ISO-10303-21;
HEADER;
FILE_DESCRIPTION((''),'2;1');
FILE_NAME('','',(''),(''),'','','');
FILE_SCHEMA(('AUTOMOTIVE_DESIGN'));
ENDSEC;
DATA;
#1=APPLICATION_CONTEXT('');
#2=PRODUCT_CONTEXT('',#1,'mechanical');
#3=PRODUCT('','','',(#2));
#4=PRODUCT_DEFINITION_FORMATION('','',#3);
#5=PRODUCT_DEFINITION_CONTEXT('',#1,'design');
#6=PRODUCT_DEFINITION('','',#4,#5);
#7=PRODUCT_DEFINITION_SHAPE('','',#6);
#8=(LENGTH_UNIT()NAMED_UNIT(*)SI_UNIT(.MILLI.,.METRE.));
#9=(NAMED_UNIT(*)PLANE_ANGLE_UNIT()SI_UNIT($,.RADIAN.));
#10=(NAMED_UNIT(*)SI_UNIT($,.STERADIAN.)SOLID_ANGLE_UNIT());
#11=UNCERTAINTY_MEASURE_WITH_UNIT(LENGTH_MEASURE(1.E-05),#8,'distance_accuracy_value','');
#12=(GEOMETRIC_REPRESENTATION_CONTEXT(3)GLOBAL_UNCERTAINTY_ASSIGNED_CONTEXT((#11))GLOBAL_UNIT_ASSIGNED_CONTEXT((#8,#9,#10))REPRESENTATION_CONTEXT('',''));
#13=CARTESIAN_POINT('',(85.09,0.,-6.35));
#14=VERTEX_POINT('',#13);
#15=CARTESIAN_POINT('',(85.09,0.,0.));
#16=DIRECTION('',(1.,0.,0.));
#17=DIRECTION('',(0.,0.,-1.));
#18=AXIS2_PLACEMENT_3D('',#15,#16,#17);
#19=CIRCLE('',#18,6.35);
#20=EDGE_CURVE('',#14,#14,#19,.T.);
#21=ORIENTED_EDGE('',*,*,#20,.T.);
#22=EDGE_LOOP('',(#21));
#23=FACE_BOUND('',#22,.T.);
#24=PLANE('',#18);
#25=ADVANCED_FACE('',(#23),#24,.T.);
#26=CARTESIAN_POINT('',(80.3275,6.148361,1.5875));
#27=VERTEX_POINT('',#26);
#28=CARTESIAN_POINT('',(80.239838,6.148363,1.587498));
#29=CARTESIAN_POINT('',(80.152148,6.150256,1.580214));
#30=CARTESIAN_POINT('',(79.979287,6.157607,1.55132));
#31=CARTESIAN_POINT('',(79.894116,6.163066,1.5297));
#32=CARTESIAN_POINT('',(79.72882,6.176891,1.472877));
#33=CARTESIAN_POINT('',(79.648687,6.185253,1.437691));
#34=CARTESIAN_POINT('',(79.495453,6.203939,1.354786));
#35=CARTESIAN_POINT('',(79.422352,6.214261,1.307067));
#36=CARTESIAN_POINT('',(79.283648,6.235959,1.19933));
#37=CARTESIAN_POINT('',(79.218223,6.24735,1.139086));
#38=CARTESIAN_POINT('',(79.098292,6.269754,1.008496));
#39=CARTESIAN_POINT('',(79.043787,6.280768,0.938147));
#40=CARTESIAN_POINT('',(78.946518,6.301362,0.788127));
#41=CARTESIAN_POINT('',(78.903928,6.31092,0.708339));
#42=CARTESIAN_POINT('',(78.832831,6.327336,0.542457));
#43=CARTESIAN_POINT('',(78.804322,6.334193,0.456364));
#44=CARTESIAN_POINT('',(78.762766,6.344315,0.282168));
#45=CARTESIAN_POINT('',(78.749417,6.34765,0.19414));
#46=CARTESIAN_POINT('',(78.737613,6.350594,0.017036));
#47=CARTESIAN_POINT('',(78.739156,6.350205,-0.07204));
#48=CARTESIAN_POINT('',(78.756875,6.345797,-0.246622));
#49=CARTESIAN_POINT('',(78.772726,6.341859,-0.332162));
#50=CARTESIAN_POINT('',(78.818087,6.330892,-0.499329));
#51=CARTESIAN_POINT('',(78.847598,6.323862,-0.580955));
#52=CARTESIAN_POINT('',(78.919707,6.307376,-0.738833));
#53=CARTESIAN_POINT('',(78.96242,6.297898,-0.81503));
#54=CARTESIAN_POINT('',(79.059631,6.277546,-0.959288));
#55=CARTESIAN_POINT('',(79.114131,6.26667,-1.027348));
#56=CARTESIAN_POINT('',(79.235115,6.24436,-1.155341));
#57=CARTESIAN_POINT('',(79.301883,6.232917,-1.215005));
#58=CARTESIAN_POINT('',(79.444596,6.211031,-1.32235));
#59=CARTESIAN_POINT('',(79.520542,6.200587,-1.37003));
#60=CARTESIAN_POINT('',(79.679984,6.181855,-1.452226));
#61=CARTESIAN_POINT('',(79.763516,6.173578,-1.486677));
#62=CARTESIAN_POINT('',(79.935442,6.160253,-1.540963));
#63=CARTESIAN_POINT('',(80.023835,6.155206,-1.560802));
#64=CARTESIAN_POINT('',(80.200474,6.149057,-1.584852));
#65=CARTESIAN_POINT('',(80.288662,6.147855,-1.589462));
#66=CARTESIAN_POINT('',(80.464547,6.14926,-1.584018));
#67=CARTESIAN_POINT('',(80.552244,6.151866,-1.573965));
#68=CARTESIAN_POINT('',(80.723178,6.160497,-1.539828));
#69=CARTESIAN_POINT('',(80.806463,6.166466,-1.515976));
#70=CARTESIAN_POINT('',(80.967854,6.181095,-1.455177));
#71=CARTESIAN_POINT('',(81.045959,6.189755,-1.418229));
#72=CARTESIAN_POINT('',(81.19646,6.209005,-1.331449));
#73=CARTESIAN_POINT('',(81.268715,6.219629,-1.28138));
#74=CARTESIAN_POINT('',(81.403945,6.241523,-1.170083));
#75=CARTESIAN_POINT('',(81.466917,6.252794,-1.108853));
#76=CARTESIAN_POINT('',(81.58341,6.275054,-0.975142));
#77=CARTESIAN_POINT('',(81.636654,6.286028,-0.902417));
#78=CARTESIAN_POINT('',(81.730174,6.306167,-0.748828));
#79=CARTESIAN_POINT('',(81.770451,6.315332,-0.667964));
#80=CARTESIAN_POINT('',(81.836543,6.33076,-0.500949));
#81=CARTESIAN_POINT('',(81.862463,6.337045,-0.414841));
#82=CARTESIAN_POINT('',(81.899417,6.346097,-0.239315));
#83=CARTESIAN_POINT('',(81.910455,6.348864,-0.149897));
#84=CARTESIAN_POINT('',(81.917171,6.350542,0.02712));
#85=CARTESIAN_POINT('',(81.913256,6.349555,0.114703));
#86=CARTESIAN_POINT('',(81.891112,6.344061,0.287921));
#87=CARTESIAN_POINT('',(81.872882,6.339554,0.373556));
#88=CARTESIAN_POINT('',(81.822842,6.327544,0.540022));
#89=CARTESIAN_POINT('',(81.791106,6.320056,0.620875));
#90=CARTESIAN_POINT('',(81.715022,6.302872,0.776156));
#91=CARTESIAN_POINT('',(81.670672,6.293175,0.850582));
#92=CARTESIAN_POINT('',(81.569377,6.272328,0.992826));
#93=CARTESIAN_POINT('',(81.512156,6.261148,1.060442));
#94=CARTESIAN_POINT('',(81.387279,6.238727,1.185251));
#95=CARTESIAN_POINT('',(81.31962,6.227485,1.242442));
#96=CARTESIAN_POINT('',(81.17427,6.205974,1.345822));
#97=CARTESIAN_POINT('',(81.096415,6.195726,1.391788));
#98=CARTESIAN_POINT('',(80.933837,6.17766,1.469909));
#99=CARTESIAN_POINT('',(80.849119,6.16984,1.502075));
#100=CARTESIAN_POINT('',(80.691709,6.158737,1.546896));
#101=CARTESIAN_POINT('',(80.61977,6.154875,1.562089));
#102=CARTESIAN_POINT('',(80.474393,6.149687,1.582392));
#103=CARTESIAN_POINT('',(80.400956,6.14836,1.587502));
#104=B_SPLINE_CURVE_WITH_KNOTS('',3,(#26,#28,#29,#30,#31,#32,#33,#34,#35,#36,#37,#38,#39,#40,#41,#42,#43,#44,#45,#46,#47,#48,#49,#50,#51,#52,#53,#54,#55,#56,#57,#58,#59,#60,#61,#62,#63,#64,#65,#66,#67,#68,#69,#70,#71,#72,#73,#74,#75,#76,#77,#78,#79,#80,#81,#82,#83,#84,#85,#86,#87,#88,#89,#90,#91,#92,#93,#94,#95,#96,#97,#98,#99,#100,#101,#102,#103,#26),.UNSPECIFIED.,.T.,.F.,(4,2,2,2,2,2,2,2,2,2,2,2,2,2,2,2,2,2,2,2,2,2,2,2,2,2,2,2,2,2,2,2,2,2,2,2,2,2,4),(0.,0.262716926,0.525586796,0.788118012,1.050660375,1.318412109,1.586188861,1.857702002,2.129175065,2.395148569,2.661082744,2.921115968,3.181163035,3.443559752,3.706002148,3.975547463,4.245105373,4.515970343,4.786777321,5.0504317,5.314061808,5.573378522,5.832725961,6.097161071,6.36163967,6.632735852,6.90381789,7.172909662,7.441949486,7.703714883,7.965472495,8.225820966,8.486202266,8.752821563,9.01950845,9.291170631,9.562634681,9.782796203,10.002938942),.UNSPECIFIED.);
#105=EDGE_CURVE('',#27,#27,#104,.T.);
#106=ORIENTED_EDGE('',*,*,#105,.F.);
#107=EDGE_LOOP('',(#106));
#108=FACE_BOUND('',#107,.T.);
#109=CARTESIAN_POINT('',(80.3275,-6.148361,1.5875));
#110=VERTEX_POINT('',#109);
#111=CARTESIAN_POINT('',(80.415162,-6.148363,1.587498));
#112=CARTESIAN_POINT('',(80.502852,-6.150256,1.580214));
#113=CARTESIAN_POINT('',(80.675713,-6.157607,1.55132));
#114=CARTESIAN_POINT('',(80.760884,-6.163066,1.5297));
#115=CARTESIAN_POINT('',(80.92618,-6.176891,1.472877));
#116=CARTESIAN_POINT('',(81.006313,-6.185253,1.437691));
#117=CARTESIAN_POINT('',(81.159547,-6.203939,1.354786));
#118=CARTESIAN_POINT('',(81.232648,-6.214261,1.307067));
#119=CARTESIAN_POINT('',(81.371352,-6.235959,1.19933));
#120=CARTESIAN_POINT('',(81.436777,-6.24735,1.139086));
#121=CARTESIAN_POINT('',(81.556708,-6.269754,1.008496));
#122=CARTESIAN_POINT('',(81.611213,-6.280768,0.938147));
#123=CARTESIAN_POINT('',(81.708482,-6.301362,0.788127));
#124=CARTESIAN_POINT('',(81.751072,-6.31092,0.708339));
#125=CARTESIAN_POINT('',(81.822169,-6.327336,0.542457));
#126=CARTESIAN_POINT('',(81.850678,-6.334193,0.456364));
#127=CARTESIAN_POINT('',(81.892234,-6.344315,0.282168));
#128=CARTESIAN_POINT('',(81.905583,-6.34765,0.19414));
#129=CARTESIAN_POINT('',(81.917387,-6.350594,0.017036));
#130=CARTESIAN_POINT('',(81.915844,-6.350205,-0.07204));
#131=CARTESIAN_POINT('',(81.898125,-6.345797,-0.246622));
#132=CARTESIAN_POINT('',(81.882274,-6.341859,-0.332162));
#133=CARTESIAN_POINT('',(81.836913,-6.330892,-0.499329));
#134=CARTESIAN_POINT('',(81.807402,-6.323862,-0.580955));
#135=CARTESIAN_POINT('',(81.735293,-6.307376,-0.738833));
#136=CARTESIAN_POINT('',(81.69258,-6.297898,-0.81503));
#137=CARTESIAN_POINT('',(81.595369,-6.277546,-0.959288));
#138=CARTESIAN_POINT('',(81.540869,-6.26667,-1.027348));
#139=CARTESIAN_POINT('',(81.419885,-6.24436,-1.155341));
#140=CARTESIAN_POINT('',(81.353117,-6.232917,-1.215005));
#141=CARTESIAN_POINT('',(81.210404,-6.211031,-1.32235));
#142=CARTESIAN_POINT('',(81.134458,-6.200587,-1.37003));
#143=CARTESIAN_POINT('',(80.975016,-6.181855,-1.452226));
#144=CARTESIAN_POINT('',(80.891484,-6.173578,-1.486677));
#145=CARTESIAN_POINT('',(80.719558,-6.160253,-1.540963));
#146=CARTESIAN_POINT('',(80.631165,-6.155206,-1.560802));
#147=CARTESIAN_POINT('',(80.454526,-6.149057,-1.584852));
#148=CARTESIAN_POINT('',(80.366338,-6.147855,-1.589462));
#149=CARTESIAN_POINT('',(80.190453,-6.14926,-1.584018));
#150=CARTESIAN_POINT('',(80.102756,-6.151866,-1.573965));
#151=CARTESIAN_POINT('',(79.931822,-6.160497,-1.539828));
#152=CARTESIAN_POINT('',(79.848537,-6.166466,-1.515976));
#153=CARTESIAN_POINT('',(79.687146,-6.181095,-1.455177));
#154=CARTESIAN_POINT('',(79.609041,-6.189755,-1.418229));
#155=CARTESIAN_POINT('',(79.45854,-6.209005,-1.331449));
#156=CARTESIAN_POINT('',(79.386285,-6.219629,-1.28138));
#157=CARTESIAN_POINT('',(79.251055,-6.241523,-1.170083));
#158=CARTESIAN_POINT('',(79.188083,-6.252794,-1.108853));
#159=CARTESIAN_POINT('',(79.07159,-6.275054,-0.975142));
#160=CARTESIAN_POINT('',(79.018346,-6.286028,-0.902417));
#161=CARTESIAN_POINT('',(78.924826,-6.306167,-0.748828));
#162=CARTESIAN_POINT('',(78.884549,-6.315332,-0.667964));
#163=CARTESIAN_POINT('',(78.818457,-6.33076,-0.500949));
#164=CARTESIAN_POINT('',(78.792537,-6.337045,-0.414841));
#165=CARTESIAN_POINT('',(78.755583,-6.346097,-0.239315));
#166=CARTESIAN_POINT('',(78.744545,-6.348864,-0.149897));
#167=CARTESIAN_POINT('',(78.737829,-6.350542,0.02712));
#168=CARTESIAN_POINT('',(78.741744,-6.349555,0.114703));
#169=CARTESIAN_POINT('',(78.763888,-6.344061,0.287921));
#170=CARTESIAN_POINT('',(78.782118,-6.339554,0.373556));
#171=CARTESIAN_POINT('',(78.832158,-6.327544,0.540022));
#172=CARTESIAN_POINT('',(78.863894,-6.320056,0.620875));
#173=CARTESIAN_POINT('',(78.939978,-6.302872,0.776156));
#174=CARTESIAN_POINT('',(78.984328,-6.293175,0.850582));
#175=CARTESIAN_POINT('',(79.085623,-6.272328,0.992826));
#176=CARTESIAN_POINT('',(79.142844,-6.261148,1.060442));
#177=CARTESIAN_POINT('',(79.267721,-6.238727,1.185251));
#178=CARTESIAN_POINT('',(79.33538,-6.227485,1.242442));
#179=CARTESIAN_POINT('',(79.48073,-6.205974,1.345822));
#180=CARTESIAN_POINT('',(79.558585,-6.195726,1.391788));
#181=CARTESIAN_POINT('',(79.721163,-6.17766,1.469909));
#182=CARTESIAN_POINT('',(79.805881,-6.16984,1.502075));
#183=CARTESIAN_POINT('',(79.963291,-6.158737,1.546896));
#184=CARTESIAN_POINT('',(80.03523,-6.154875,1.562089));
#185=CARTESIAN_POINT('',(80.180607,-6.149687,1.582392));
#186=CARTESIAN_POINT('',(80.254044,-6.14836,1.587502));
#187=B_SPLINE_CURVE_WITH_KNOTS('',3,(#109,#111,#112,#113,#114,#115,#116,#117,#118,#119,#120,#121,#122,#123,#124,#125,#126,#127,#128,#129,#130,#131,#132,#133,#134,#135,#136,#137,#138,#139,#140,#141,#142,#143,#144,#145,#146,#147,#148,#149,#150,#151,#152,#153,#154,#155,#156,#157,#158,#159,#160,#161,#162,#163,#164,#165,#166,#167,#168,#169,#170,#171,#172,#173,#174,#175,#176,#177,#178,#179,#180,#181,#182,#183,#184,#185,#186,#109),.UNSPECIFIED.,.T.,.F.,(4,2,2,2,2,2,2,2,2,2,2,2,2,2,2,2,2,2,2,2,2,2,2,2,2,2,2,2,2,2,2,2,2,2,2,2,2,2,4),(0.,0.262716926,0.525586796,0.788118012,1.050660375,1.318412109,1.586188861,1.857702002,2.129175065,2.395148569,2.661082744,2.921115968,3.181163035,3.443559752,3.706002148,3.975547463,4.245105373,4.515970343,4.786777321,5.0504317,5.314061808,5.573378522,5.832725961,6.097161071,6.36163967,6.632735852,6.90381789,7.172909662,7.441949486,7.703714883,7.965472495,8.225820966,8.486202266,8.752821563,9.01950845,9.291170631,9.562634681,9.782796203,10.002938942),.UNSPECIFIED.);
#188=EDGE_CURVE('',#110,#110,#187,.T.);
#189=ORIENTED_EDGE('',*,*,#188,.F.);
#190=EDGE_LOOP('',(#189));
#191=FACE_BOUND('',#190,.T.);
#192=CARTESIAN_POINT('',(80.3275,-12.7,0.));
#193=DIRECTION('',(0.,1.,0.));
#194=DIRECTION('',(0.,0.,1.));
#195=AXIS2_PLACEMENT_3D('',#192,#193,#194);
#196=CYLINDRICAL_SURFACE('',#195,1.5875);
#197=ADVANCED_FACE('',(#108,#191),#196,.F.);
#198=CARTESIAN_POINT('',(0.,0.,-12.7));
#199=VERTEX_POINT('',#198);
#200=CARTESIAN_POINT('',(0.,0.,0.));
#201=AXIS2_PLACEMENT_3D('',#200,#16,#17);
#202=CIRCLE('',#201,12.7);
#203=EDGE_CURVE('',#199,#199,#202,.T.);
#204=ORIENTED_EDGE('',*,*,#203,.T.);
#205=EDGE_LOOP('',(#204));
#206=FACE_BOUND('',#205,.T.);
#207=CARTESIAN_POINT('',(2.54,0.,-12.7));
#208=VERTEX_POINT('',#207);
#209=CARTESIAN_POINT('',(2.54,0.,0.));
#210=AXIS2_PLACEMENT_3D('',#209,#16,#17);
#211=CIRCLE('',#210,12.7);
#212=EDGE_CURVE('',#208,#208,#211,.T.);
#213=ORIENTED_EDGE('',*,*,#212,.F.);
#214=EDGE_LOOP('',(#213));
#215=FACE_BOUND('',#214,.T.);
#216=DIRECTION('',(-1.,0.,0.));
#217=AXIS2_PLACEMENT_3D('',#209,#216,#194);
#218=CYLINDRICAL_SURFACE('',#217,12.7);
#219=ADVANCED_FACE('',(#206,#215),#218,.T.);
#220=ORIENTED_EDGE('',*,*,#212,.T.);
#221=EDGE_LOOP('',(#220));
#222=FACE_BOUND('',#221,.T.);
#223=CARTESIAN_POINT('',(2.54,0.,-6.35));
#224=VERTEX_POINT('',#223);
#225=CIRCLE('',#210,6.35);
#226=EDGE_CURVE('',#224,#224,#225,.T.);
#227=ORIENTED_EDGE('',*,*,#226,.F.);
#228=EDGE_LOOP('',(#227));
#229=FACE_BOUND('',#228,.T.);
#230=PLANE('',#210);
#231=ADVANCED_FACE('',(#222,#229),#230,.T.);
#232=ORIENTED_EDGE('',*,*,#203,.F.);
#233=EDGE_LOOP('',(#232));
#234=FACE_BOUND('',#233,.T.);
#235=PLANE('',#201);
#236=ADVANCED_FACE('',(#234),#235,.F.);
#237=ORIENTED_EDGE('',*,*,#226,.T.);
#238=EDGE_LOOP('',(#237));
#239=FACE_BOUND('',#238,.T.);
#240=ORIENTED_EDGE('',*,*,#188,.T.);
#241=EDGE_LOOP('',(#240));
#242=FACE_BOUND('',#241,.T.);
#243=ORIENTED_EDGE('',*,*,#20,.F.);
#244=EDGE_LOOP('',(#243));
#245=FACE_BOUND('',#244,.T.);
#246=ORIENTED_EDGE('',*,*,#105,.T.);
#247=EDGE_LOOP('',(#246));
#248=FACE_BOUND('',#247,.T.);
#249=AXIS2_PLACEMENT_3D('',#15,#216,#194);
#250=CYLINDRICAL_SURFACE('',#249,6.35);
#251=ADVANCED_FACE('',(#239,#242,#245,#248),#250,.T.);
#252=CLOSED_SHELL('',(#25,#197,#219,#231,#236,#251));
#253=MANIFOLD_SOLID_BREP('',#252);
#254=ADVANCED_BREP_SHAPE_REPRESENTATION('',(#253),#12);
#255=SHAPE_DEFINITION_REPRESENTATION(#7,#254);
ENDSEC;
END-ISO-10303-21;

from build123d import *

# Parameters (mm, degrees)
SKETCH1_R           = 12.7
BOSS_EXTRUDE1_DEPTH = 2.54
SKETCH2_R           = 6.35
BOSS_EXTRUDE2_DEPTH = 82.55
SKETCH3_R           = 1.5875
CUT_EXTRUDE1_DEPTH  = 12.7


with BuildPart() as part:
    # Sketch1 → Boss-Extrude1 (new body)
    with BuildSketch(Plane(origin=(0, 0, 0), x_dir=(0, 0, -1), z_dir=(1, 0, 0))):
        Circle(SKETCH1_R)
    extrude(amount=BOSS_EXTRUDE1_DEPTH)

    # Sketch2 → Boss-Extrude2 (add)
    with BuildSketch(Plane(origin=(2.54, 0, 0), x_dir=(0, 0, -1), z_dir=(1, 0, 0))):
        Circle(SKETCH2_R)
    extrude(amount=BOSS_EXTRUDE2_DEPTH)

    # Sketch3 → Cut-Extrude1 (cut, symmetric)
    with BuildSketch(Plane(origin=(0, 0, 0), x_dir=(1, 0, 0), z_dir=(0, 1, 0))):
        with Locations((80.3275, 0)):
            Circle(SKETCH3_R)
    extrude(amount=CUT_EXTRUDE1_DEPTH, both=True, mode=Mode.SUBTRACT)


solid = part.part
